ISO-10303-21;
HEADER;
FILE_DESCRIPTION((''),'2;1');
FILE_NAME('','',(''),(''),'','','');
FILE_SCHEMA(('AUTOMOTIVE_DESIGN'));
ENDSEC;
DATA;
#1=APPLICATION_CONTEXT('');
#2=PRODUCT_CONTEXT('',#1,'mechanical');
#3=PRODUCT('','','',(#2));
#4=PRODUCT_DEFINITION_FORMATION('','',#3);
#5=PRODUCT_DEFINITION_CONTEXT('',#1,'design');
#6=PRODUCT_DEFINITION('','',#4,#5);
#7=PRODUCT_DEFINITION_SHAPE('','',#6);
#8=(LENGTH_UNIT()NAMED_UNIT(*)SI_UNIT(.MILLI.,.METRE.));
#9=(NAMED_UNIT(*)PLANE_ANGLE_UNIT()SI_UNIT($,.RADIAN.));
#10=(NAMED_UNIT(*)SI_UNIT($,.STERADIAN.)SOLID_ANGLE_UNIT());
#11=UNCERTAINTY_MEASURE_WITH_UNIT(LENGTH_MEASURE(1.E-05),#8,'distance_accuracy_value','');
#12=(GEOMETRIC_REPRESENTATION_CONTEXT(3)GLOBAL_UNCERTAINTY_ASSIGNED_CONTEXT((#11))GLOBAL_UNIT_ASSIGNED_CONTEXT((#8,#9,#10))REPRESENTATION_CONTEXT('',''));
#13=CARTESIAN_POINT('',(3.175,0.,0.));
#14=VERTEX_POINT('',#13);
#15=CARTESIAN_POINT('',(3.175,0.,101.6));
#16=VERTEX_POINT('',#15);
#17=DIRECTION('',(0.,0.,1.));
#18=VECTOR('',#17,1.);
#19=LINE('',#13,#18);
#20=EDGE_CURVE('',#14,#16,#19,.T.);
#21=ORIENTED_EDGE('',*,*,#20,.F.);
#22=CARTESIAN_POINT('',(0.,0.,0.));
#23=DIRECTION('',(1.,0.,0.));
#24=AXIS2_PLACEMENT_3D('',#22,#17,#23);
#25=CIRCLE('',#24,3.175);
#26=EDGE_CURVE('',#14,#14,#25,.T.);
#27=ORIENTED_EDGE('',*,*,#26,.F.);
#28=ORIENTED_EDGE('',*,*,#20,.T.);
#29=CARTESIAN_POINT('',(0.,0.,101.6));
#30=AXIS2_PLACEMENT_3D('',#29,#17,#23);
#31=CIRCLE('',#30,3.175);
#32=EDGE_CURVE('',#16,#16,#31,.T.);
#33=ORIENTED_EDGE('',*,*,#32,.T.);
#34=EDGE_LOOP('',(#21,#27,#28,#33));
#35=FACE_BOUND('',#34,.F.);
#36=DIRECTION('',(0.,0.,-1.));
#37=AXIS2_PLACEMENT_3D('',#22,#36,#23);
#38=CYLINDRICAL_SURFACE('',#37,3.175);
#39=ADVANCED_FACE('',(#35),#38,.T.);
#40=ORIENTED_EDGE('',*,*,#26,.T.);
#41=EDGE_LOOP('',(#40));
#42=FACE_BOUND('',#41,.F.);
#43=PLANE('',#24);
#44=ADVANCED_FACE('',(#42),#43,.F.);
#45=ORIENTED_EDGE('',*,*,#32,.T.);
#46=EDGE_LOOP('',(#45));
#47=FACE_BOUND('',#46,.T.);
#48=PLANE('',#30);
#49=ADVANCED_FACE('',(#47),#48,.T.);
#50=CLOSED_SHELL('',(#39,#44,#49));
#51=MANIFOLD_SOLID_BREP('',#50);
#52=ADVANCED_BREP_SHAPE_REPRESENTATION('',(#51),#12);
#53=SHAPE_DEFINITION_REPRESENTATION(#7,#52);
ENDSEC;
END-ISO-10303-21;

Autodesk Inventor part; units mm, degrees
ref_plane "YZ Plane" through (0, 0, 0) normal (1, 0, 0) x (0, 1, 0)
ref_plane "XZ Plane" through (0, 0, 0) normal (0, 1, 0) x (-1, 0, 0)
ref_plane "XY Plane" through (0, 0, 0) normal (0, 0, 1) x (1, 0, 0)
sketch "Sketch1" plane through (0, 0, 0) normal (0, 0, 1) x (1, 0, 0)
  circle A0 centre (0, 0) radius 3.175
  dimension "d0" = 6.35
extrude "Extrusion1" add sketch "Sketch1" along normal blind 101.6
properties part number "Pin_SBail"
